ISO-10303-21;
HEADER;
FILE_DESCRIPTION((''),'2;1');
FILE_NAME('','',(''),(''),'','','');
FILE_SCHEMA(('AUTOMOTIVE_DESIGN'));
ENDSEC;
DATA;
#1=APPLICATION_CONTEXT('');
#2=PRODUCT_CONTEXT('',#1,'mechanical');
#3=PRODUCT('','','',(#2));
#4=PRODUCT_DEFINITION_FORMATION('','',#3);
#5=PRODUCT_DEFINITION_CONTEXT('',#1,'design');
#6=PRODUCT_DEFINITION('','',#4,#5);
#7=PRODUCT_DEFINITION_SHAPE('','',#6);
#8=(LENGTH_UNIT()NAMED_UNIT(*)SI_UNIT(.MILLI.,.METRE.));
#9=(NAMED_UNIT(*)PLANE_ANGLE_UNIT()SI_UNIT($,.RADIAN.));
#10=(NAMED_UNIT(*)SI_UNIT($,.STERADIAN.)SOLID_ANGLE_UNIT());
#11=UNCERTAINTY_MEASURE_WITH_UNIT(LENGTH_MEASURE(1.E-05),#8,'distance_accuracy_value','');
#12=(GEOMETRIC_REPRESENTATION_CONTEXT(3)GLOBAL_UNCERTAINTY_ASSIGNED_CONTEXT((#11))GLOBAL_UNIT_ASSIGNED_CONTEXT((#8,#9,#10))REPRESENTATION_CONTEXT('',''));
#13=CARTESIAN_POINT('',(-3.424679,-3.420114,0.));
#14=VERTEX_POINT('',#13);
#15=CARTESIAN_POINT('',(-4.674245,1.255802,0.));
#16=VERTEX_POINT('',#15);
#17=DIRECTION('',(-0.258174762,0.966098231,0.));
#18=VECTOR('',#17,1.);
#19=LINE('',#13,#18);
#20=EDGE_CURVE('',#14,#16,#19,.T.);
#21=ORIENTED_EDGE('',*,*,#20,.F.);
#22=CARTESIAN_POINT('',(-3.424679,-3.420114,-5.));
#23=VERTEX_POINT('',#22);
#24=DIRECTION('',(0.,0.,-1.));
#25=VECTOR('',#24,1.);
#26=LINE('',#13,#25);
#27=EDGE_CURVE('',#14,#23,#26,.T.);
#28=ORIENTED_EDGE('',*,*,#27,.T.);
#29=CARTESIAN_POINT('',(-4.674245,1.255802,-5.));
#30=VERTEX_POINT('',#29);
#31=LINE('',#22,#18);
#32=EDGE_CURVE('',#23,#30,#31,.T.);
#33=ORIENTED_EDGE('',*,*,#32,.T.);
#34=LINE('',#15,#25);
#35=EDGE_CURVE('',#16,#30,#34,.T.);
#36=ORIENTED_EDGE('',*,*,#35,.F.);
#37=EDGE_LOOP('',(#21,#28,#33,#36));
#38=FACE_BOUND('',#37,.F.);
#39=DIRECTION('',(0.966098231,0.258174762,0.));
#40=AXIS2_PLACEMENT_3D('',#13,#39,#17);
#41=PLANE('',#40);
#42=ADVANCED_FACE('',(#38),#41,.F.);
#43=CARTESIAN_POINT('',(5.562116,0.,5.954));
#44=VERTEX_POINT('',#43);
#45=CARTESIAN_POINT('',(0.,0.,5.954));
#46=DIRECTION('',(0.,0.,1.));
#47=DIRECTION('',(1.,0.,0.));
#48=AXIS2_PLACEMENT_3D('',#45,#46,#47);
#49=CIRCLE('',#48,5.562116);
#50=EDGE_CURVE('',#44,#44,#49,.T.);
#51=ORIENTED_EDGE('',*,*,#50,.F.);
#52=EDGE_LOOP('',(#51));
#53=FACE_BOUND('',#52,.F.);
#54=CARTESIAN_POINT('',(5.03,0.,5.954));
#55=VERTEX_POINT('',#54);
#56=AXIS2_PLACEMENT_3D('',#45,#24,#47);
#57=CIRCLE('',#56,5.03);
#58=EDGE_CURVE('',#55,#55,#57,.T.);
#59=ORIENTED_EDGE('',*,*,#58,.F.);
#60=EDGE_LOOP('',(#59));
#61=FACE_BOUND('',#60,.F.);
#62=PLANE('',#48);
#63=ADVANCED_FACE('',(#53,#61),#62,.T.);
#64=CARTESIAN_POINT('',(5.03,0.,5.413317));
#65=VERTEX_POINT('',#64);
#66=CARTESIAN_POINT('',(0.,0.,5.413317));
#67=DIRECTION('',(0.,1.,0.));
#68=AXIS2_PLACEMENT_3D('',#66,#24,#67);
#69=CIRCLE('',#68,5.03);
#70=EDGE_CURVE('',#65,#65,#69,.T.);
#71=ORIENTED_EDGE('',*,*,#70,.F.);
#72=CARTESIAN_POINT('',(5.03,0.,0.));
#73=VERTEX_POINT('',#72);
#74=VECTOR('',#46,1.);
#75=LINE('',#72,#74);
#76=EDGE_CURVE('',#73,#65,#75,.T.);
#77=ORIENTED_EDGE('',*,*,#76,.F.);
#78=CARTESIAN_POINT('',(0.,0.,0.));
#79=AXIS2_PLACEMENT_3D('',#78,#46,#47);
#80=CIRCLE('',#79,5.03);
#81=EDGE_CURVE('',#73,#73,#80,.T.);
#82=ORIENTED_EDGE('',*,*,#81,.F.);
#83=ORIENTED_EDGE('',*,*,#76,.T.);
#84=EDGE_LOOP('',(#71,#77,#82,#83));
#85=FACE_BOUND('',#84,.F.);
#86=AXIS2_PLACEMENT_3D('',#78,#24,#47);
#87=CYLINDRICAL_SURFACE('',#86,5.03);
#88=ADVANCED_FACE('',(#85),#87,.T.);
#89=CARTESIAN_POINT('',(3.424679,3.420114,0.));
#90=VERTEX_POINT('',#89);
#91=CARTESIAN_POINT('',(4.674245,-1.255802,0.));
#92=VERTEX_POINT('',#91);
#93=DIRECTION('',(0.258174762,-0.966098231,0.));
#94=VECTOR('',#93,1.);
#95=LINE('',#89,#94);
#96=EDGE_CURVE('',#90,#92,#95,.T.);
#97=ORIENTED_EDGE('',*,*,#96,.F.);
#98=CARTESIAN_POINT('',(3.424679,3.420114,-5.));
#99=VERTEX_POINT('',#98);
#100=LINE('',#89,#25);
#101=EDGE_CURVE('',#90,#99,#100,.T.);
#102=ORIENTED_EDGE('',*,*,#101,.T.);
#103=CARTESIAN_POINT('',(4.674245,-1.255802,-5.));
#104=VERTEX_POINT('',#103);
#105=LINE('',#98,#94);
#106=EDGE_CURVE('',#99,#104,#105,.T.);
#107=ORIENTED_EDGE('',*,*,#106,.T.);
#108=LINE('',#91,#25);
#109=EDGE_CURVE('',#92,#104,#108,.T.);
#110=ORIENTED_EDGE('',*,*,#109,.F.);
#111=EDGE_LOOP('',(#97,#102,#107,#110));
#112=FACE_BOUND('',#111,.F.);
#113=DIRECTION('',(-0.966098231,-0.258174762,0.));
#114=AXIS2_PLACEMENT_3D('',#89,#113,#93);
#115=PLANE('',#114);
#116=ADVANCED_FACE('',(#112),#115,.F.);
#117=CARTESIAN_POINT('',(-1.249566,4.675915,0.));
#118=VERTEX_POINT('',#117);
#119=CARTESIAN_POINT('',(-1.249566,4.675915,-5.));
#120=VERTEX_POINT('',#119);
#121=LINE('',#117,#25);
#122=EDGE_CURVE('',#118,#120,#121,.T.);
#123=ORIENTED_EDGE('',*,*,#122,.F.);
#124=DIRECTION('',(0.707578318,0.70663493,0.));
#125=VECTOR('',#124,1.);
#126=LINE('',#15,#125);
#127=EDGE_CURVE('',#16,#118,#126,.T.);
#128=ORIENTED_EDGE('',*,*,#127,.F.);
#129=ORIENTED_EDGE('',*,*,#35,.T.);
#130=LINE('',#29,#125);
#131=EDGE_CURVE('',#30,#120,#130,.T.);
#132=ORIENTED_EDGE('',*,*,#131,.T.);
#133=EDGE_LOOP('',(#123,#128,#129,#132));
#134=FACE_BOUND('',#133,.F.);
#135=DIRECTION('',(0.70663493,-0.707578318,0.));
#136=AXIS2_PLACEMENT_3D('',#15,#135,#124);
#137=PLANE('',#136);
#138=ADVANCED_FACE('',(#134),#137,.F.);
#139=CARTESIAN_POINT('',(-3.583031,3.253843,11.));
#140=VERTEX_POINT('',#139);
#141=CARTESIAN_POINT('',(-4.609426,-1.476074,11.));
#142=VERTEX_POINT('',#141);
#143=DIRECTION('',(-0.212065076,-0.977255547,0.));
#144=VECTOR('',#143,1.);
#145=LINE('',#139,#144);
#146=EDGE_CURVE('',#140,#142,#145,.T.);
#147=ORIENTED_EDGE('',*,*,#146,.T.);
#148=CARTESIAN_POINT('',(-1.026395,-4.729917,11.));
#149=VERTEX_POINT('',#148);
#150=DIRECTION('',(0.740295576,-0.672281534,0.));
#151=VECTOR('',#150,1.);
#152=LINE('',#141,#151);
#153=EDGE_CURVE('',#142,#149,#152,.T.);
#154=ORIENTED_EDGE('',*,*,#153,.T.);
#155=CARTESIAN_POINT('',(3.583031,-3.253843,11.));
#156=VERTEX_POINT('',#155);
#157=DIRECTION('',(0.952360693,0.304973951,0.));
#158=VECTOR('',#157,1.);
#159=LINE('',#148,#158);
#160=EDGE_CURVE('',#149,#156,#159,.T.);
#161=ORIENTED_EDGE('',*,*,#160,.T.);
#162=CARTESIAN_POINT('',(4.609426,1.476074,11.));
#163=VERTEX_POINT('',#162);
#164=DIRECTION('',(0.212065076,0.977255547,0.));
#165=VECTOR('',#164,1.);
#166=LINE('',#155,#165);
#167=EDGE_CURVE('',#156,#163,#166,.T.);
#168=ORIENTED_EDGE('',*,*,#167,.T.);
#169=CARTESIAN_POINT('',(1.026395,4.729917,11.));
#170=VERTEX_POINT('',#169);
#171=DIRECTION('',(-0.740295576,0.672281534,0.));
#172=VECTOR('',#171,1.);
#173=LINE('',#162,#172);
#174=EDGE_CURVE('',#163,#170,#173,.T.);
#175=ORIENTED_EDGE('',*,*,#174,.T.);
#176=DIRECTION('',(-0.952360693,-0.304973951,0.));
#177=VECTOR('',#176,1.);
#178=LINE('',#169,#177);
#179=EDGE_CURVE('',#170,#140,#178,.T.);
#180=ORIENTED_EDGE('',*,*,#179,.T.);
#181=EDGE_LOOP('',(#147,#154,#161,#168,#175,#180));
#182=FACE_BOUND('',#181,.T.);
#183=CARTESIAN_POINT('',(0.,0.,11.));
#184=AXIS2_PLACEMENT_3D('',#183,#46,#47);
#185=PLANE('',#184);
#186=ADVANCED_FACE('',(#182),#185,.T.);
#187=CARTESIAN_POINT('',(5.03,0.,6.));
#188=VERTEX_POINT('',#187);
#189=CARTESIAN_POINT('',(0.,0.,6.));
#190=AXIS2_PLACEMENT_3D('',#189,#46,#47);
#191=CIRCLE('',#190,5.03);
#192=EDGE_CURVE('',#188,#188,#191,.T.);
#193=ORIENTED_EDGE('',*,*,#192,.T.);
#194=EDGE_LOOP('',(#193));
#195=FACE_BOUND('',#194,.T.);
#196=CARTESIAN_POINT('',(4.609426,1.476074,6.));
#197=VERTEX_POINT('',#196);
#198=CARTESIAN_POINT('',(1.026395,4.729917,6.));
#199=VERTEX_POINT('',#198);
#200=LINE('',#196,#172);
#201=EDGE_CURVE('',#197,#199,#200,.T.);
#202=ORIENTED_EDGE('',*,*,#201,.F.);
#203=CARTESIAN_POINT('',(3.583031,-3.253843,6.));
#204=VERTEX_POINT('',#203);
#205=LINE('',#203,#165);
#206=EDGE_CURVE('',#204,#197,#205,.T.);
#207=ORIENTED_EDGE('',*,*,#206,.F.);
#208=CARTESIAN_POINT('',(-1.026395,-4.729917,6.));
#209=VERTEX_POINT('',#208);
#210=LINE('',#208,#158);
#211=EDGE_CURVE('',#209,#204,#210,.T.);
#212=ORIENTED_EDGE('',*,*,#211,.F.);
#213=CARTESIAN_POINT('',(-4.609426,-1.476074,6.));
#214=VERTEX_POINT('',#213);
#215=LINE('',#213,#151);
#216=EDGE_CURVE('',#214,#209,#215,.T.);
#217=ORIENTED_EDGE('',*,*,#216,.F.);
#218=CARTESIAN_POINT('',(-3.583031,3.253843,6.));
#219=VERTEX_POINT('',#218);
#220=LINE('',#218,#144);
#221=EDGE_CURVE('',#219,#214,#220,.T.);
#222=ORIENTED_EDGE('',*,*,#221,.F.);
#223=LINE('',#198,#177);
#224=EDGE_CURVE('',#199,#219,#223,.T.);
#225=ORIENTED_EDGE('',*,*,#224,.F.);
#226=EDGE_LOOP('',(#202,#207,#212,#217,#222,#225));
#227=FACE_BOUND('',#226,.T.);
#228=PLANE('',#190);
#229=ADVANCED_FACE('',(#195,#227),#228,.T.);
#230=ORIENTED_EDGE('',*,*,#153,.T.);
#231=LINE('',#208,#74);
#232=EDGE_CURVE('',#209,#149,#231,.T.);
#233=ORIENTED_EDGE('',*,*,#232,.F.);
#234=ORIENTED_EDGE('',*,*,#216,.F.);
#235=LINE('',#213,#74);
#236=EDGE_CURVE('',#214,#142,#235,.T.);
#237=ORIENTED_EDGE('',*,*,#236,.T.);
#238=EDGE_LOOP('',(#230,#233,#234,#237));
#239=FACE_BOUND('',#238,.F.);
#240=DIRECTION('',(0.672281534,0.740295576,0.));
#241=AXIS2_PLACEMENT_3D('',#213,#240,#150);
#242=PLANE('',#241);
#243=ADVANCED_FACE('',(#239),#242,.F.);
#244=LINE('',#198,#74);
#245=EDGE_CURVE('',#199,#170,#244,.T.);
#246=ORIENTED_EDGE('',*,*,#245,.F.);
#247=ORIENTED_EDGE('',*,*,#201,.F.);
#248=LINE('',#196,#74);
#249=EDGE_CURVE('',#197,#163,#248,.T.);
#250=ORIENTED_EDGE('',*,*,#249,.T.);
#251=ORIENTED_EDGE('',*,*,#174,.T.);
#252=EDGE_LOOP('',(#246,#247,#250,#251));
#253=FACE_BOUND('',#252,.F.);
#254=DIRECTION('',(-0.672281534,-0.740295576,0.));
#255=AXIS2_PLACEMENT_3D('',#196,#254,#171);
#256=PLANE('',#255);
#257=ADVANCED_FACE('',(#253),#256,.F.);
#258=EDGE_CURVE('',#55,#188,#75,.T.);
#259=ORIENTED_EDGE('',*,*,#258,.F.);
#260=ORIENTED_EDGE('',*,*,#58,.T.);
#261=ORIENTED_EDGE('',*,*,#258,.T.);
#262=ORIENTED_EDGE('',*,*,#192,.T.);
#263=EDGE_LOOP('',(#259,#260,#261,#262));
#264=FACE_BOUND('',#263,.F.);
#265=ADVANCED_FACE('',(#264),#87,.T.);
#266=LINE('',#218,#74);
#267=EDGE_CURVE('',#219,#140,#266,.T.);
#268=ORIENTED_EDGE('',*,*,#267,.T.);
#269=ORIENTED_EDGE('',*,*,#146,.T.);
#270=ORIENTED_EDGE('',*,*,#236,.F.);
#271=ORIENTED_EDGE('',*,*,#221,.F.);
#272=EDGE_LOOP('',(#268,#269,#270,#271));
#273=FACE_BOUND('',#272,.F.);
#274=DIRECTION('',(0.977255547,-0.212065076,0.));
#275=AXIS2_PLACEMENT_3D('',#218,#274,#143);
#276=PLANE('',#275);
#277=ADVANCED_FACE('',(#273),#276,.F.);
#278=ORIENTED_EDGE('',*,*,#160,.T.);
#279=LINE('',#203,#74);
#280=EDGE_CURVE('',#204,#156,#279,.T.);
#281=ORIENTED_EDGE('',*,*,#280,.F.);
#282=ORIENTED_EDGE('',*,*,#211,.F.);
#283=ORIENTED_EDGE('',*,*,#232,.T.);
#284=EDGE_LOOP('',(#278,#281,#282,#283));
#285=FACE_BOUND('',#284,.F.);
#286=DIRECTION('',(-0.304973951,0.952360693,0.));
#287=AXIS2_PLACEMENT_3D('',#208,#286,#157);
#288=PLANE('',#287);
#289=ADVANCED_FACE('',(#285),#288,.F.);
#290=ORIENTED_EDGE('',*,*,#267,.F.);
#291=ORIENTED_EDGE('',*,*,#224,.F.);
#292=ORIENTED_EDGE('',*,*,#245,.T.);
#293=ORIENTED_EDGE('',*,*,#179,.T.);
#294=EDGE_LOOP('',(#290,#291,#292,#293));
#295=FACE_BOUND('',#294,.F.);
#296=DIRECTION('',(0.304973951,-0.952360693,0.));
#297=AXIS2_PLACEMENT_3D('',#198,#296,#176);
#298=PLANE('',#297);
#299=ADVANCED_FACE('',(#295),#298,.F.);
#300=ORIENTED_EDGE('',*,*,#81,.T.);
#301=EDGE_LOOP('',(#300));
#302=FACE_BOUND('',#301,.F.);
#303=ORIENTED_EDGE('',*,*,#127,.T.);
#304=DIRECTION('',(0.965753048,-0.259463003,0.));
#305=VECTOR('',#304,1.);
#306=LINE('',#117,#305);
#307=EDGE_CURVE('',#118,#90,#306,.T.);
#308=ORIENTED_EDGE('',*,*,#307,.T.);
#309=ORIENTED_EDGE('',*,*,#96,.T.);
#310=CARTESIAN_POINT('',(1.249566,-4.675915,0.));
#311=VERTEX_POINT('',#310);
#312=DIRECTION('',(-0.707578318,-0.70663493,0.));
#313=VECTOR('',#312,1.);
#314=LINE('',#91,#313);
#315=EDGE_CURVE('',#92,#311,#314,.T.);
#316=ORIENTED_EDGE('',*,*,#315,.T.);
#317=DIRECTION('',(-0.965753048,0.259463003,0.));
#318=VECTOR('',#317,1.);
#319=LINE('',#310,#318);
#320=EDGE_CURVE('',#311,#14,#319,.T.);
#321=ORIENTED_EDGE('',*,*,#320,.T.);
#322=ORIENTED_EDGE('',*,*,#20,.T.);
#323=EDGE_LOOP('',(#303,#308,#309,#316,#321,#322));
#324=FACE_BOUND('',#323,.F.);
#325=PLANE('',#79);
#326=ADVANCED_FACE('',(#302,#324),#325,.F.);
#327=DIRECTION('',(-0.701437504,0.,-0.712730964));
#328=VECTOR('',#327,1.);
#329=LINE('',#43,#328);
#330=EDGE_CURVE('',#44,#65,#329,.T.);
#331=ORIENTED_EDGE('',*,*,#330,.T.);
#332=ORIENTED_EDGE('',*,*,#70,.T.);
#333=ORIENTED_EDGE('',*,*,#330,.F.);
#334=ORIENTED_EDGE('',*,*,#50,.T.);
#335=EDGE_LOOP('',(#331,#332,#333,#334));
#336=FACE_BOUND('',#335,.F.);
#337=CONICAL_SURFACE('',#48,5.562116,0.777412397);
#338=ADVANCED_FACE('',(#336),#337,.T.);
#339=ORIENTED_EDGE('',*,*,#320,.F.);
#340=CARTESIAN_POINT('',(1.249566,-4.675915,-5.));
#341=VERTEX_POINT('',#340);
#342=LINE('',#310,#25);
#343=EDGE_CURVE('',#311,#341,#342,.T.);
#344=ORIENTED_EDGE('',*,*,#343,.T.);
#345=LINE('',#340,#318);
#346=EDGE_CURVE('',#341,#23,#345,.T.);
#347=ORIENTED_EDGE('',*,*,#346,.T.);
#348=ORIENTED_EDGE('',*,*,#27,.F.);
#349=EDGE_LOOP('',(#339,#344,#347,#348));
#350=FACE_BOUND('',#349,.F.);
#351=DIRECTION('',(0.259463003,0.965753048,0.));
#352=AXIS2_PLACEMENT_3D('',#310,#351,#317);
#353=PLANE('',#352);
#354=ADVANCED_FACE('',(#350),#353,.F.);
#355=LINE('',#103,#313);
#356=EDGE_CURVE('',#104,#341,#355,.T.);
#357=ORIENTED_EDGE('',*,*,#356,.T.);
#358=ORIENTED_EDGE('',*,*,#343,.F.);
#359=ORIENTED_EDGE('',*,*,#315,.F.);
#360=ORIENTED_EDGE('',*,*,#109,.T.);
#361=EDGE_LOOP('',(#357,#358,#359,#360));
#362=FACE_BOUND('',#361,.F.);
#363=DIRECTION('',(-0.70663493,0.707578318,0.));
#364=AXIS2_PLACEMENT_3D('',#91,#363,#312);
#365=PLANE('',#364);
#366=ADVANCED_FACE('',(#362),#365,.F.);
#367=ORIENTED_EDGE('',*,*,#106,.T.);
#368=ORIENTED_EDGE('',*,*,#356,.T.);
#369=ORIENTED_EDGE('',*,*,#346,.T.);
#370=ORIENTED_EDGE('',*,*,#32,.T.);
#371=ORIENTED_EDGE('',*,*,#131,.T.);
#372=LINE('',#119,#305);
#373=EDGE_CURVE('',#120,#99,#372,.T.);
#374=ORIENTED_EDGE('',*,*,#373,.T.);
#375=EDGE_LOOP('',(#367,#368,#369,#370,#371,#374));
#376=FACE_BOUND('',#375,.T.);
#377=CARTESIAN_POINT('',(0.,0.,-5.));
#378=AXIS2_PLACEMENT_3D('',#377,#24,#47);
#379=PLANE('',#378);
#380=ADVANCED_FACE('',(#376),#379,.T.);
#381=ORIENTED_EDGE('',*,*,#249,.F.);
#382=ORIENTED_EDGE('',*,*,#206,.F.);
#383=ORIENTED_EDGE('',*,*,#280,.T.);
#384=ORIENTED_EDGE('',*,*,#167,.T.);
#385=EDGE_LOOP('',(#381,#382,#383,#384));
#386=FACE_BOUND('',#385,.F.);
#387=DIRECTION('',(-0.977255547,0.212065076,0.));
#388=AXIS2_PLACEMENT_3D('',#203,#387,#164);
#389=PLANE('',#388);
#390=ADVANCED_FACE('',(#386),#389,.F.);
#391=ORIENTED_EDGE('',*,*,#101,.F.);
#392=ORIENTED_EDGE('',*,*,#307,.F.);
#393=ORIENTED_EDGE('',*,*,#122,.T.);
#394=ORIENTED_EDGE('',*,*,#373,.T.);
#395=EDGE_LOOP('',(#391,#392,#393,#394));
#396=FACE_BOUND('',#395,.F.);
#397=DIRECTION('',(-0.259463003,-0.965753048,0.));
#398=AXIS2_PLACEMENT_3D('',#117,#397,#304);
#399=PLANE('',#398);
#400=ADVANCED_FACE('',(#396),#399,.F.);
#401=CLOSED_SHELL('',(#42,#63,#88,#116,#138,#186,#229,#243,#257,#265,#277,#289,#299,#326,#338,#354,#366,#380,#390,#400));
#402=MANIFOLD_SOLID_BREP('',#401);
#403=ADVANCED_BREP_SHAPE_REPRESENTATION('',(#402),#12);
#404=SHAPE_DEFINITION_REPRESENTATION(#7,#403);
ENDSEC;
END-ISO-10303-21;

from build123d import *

# Parameters (mm, degrees)
SKETCH_R     = 5.03
PAD_DEPTH    = 6
PAD001_DEPTH = 5
PAD002_DEPTH = 5


with BuildPart() as part:
    # Sketch → Pad (new body)
    with BuildSketch(Plane.XY):
        Circle(SKETCH_R)
    extrude(amount=PAD_DEPTH)

    # Sketch001 → Revolution (revolve)
    with BuildSketch(Plane.XZ):
        Polygon((4.824, 5.954), (5.562116, 5.954), (4.824, 5.204), align=None)
    revolve(axis=Axis((0, 0, 0), (0, 0, 1)))

    # Sketch002 (on Face6 of Revolution) → Pad001 (join)
    with BuildSketch(Plane.XY.offset(6)):
        Polygon((3.583031, -3.253843), (4.609426, 1.476074), (1.026395, 4.729917), (-3.583031, 3.253843), (-4.609426, -1.476074), (-1.026395, -4.729917), align=None)
    extrude(amount=PAD001_DEPTH)

    # Sketch003 (on Face2 of Pad001) → Pad002 (join)
    with BuildSketch(Plane(origin=(0, 0, 0), x_dir=(1, 0, 0), z_dir=(0, 0, -1))):
        Polygon((3.424679, -3.420114), (4.674245, 1.255802), (1.249566, 4.675915), (-3.424679, 3.420114), (-4.674245, -1.255802), (-1.249566, -4.675915), align=None)
    extrude(amount=PAD002_DEPTH)


solid = part.part
